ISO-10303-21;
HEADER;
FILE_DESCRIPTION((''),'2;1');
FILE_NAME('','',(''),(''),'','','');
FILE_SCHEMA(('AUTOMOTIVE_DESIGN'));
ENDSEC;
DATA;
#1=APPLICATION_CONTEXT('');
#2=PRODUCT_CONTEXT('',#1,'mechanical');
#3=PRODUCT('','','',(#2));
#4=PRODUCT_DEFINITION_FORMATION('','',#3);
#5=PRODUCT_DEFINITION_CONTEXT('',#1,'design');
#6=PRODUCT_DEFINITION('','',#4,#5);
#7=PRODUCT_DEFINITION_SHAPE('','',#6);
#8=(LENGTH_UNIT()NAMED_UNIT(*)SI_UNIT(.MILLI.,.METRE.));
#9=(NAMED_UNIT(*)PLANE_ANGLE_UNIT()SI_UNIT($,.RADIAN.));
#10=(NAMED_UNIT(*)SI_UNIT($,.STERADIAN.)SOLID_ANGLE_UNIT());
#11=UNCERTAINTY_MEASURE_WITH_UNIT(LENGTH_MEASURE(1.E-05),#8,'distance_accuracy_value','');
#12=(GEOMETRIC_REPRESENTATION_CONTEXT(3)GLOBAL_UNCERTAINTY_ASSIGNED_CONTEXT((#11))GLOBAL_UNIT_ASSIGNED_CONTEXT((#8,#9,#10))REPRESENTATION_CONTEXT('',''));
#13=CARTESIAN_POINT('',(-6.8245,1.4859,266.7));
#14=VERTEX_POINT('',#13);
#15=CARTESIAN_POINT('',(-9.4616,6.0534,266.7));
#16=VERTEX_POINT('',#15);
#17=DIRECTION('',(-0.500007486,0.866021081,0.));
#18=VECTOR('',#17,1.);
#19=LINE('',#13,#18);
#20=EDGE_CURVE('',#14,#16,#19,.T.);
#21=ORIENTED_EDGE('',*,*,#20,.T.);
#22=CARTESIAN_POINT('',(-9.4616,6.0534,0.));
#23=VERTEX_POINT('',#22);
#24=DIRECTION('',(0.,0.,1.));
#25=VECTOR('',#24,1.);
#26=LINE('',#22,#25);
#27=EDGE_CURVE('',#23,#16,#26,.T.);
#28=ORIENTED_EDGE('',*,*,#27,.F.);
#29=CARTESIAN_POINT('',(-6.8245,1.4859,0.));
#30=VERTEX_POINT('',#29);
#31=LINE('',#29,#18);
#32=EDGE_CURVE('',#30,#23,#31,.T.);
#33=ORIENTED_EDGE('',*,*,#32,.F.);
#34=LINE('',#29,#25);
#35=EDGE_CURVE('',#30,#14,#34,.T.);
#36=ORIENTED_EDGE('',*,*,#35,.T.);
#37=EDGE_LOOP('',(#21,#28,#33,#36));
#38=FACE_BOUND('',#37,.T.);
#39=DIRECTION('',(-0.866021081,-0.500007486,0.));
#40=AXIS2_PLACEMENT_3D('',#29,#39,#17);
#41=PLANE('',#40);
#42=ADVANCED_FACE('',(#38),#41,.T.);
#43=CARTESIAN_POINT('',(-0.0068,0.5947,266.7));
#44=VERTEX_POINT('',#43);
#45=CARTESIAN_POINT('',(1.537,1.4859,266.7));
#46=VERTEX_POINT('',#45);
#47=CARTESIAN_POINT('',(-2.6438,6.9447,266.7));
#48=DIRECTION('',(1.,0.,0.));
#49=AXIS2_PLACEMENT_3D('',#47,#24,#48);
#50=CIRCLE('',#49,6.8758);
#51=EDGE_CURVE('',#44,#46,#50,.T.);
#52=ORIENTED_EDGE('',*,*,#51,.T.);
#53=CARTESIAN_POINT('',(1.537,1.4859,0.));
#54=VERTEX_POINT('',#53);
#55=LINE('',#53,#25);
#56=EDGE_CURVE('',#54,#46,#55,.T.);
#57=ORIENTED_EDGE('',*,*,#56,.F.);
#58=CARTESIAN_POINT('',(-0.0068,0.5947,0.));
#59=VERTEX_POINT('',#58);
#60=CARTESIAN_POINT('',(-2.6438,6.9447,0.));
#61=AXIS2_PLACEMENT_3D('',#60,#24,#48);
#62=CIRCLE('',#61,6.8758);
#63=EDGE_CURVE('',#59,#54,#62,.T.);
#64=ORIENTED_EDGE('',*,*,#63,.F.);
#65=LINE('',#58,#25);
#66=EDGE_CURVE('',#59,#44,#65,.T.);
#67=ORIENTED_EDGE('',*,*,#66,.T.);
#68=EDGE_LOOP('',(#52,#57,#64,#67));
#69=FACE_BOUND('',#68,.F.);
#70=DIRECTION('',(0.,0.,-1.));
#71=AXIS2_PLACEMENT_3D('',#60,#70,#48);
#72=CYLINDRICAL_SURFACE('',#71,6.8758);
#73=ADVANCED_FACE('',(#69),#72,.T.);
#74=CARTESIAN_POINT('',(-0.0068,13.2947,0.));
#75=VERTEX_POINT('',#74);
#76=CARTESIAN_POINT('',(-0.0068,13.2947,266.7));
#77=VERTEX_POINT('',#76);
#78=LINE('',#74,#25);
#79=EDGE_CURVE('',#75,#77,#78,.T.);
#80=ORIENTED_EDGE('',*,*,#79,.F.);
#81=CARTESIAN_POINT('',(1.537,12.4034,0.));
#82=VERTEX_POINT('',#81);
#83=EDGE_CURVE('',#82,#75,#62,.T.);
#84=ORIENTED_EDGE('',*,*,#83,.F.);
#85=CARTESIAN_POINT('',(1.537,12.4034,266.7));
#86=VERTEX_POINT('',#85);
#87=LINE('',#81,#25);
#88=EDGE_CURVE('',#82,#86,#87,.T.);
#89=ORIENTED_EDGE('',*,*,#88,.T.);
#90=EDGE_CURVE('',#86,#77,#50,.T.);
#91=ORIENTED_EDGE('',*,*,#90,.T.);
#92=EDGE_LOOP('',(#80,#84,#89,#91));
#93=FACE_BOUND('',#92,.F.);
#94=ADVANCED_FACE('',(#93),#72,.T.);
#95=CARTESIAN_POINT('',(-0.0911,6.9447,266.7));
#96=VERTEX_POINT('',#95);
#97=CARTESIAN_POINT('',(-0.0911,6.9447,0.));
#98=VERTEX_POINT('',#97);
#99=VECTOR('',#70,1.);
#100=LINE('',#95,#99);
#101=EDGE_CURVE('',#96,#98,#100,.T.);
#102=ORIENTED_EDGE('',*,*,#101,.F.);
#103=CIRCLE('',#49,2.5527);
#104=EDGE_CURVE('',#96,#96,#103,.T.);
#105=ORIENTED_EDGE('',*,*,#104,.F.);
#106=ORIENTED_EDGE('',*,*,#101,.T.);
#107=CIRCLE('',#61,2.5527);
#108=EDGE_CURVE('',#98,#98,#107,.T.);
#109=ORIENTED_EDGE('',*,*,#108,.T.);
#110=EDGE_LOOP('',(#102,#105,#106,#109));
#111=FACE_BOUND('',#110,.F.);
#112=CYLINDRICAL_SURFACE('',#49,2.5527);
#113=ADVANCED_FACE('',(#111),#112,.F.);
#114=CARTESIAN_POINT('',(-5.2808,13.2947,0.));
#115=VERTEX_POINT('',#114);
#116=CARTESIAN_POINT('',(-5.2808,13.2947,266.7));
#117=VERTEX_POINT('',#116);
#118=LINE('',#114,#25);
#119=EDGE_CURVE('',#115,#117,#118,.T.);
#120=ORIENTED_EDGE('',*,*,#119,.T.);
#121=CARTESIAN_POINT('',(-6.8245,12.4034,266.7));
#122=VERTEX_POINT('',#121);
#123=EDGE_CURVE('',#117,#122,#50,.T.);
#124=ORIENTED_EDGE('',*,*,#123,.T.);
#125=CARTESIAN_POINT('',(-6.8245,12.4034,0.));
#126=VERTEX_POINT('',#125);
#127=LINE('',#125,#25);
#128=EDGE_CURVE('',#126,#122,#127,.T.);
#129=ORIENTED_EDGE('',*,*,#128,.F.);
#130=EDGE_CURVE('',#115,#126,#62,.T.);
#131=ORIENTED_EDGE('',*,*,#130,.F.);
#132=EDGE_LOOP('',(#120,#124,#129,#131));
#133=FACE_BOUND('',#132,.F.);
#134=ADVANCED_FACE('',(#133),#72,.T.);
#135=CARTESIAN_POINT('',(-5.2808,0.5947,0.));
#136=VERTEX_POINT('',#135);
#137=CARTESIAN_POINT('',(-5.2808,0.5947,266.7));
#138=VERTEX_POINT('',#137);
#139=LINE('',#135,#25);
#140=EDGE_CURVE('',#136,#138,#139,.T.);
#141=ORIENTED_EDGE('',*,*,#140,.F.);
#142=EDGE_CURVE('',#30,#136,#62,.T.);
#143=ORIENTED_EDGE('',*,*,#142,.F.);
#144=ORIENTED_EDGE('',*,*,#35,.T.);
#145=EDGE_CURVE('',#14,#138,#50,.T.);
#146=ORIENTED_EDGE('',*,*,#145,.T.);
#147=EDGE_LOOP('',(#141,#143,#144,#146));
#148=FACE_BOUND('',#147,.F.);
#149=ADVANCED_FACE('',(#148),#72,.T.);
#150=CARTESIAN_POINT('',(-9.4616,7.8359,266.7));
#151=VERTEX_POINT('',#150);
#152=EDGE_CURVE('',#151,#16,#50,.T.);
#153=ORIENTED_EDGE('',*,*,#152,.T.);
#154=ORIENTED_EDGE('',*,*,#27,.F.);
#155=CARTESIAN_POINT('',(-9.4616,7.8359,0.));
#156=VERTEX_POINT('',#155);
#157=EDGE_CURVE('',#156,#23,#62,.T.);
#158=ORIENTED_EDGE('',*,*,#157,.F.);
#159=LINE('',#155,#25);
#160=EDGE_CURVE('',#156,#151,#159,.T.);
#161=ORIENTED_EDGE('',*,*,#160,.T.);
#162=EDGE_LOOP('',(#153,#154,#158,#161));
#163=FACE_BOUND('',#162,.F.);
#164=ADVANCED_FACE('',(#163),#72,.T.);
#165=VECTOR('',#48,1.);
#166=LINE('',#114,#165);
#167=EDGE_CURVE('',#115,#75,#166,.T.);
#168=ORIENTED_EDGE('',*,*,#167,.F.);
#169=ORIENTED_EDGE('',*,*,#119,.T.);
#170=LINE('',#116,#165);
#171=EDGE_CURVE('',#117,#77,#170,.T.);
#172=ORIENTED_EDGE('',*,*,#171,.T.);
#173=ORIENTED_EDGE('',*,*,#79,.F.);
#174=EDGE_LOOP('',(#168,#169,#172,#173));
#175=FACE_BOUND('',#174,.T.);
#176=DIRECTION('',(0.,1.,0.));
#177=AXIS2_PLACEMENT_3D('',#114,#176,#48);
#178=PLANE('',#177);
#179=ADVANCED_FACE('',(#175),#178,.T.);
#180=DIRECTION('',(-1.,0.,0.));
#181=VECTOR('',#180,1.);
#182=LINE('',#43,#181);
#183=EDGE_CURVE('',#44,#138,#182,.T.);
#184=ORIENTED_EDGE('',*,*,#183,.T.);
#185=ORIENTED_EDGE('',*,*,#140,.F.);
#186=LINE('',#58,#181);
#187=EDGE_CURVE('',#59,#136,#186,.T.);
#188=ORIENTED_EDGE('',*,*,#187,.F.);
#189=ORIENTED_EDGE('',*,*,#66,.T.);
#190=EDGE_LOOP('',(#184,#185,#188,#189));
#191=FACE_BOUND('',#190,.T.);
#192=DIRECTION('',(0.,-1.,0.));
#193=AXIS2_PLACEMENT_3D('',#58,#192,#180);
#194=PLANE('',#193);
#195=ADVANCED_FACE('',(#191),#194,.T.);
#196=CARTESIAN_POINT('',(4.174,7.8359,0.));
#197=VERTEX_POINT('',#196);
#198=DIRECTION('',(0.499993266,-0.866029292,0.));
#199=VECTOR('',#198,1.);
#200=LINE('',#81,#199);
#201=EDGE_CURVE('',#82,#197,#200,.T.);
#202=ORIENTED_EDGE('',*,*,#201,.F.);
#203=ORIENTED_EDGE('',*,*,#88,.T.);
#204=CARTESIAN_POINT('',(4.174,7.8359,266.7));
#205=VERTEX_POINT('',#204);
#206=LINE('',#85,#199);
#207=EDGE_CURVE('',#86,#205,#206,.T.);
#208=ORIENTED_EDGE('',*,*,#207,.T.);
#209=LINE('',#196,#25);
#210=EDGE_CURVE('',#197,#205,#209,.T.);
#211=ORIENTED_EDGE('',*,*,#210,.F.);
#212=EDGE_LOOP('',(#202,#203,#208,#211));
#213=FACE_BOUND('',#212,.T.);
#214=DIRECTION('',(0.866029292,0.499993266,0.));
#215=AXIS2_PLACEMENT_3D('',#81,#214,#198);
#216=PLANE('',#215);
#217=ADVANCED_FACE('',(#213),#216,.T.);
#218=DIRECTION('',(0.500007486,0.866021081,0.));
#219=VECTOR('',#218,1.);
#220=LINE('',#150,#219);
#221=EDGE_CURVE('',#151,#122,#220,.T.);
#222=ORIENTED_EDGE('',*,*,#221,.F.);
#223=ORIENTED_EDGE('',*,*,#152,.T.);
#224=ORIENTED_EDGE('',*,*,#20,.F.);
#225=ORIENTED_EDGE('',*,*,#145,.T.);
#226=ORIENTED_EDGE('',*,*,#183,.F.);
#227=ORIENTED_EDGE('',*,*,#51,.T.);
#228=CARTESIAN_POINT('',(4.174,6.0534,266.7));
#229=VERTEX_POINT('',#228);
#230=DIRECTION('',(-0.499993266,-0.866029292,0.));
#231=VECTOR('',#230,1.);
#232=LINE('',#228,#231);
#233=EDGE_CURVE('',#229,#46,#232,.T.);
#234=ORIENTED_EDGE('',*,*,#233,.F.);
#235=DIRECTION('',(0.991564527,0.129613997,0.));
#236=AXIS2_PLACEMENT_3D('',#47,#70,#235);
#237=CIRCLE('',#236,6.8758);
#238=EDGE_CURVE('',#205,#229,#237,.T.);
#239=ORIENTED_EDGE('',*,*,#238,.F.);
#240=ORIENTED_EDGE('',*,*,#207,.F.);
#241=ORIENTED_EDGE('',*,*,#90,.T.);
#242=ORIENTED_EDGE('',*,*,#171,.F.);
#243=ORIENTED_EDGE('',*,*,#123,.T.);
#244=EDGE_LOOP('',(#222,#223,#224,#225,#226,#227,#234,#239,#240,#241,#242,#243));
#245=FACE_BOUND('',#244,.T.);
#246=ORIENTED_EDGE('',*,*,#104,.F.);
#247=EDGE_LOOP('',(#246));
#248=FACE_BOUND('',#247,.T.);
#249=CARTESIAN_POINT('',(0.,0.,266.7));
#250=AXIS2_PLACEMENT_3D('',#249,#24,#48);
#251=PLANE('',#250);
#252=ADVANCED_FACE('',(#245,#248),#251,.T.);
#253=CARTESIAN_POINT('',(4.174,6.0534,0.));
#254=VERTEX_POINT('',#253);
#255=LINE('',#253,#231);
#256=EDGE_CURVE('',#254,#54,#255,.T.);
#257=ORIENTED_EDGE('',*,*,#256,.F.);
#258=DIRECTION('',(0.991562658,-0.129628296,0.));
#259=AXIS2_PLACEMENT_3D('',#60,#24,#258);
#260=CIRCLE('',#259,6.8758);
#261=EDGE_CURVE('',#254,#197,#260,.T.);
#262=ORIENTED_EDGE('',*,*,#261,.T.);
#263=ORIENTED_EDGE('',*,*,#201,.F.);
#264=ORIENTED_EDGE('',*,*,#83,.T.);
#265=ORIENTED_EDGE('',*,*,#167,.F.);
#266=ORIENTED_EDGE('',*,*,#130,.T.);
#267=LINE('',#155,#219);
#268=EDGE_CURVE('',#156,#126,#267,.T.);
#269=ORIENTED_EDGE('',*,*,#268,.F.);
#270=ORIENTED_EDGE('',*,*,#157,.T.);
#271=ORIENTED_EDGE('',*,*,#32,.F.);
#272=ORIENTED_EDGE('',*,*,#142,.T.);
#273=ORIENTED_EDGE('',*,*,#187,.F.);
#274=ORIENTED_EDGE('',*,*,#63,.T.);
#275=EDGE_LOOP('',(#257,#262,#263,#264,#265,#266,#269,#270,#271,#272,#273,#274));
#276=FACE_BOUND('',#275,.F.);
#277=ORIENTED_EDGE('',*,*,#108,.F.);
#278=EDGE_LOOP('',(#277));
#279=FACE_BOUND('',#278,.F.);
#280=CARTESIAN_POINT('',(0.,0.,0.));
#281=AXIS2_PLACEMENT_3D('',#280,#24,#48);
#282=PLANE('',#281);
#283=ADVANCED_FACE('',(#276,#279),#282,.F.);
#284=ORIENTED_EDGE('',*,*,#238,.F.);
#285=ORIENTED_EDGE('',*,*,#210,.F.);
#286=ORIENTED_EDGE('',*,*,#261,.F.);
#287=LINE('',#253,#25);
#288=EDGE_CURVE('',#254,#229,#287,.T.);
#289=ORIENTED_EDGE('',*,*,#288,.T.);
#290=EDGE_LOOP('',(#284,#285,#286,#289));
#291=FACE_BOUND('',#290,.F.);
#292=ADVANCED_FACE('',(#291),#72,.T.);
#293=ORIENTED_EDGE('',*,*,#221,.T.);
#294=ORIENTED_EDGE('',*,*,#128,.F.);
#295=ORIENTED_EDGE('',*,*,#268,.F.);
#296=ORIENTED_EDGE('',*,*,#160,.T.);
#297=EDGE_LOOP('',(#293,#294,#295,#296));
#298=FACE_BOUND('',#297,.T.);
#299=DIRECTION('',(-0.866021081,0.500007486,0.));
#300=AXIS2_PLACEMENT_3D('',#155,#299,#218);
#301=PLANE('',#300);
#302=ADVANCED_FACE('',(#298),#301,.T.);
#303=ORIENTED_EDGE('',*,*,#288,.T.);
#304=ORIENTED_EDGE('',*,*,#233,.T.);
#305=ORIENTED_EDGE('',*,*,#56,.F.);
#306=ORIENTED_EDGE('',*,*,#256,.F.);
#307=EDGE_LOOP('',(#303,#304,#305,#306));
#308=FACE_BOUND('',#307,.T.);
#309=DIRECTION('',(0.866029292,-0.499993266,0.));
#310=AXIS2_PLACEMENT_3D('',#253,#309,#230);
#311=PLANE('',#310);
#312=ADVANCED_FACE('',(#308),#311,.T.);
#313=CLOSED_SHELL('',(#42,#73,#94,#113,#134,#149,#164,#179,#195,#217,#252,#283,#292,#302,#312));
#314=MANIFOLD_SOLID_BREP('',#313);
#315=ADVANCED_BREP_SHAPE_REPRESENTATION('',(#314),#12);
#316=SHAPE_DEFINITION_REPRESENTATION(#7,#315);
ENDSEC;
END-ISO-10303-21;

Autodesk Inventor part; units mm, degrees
ref_plane "YZ Plane" through (0, 0, 0) normal (1, 0, 0) x (0, 1, 0)
ref_plane "XZ Plane" through (0, 0, 0) normal (0, 1, 0) x (-1, 0, 0)
ref_plane "XY Plane" through (0, 0, 0) normal (0, 0, 1) x (1, 0, 0)
sketch "Sketch1" plane through (0, 0, 0) normal (0, 0, 1) x (1, 0, 0)
  circle A0 centre (-2.6438, 6.9447) radius 6.8758
  line L0 (-9.4616, 7.8359) -> (-6.8245, 12.4034)
  line L1 (-6.8245, 1.4859) -> (-9.4616, 6.0534)
  line L2 (-0.0068, 0.5947) -> (-5.2808, 0.5947)
  line L3 (4.174, 6.0534) -> (1.537, 1.4859)
  line L4 (1.537, 12.4034) -> (4.174, 7.8359)
  line L5 (-5.2808, 13.2947) -> (-0.0068, 13.2947)
  point P0 (0, 0)
  point P1 (1.537, 1.4859)
  dimension "d0" = 13.7516
  dimension "d4" = 360
extrude "Extrusion1" add sketch "Sketch1" along normal blind 266.7 contours A0 L3 L2 L1 L0 L5 L4
sketch "Sketch2" plane through (0, 0, 266.7) normal (0, 0, 1) x (1, 0, 0)
  circle A0 centre (-2.6438, 6.9447) radius 2.5527
  line L0 (-5.2808, 0.5947) -> (-0.0068, 0.5947) projected
  line L1 (-2.6438, 6.9447) -> (-5.2808, 0.5947) construction
  line L2 (-2.6438, 6.9447) -> (-0.0068, 0.5947) construction
  point P0 (0, 0)
  dimension "d8" = 5.1054
  dimension "d9" = 6.35
extrude "Extrusion2" cut sketch "Sketch2" against normal blind 266.7
equation "\"d6\" = d5"
equation "\"d10\" = d5"
equation "\"d5\" = 266.7"
properties part number "railThunder" material "Aluminum 6061"
